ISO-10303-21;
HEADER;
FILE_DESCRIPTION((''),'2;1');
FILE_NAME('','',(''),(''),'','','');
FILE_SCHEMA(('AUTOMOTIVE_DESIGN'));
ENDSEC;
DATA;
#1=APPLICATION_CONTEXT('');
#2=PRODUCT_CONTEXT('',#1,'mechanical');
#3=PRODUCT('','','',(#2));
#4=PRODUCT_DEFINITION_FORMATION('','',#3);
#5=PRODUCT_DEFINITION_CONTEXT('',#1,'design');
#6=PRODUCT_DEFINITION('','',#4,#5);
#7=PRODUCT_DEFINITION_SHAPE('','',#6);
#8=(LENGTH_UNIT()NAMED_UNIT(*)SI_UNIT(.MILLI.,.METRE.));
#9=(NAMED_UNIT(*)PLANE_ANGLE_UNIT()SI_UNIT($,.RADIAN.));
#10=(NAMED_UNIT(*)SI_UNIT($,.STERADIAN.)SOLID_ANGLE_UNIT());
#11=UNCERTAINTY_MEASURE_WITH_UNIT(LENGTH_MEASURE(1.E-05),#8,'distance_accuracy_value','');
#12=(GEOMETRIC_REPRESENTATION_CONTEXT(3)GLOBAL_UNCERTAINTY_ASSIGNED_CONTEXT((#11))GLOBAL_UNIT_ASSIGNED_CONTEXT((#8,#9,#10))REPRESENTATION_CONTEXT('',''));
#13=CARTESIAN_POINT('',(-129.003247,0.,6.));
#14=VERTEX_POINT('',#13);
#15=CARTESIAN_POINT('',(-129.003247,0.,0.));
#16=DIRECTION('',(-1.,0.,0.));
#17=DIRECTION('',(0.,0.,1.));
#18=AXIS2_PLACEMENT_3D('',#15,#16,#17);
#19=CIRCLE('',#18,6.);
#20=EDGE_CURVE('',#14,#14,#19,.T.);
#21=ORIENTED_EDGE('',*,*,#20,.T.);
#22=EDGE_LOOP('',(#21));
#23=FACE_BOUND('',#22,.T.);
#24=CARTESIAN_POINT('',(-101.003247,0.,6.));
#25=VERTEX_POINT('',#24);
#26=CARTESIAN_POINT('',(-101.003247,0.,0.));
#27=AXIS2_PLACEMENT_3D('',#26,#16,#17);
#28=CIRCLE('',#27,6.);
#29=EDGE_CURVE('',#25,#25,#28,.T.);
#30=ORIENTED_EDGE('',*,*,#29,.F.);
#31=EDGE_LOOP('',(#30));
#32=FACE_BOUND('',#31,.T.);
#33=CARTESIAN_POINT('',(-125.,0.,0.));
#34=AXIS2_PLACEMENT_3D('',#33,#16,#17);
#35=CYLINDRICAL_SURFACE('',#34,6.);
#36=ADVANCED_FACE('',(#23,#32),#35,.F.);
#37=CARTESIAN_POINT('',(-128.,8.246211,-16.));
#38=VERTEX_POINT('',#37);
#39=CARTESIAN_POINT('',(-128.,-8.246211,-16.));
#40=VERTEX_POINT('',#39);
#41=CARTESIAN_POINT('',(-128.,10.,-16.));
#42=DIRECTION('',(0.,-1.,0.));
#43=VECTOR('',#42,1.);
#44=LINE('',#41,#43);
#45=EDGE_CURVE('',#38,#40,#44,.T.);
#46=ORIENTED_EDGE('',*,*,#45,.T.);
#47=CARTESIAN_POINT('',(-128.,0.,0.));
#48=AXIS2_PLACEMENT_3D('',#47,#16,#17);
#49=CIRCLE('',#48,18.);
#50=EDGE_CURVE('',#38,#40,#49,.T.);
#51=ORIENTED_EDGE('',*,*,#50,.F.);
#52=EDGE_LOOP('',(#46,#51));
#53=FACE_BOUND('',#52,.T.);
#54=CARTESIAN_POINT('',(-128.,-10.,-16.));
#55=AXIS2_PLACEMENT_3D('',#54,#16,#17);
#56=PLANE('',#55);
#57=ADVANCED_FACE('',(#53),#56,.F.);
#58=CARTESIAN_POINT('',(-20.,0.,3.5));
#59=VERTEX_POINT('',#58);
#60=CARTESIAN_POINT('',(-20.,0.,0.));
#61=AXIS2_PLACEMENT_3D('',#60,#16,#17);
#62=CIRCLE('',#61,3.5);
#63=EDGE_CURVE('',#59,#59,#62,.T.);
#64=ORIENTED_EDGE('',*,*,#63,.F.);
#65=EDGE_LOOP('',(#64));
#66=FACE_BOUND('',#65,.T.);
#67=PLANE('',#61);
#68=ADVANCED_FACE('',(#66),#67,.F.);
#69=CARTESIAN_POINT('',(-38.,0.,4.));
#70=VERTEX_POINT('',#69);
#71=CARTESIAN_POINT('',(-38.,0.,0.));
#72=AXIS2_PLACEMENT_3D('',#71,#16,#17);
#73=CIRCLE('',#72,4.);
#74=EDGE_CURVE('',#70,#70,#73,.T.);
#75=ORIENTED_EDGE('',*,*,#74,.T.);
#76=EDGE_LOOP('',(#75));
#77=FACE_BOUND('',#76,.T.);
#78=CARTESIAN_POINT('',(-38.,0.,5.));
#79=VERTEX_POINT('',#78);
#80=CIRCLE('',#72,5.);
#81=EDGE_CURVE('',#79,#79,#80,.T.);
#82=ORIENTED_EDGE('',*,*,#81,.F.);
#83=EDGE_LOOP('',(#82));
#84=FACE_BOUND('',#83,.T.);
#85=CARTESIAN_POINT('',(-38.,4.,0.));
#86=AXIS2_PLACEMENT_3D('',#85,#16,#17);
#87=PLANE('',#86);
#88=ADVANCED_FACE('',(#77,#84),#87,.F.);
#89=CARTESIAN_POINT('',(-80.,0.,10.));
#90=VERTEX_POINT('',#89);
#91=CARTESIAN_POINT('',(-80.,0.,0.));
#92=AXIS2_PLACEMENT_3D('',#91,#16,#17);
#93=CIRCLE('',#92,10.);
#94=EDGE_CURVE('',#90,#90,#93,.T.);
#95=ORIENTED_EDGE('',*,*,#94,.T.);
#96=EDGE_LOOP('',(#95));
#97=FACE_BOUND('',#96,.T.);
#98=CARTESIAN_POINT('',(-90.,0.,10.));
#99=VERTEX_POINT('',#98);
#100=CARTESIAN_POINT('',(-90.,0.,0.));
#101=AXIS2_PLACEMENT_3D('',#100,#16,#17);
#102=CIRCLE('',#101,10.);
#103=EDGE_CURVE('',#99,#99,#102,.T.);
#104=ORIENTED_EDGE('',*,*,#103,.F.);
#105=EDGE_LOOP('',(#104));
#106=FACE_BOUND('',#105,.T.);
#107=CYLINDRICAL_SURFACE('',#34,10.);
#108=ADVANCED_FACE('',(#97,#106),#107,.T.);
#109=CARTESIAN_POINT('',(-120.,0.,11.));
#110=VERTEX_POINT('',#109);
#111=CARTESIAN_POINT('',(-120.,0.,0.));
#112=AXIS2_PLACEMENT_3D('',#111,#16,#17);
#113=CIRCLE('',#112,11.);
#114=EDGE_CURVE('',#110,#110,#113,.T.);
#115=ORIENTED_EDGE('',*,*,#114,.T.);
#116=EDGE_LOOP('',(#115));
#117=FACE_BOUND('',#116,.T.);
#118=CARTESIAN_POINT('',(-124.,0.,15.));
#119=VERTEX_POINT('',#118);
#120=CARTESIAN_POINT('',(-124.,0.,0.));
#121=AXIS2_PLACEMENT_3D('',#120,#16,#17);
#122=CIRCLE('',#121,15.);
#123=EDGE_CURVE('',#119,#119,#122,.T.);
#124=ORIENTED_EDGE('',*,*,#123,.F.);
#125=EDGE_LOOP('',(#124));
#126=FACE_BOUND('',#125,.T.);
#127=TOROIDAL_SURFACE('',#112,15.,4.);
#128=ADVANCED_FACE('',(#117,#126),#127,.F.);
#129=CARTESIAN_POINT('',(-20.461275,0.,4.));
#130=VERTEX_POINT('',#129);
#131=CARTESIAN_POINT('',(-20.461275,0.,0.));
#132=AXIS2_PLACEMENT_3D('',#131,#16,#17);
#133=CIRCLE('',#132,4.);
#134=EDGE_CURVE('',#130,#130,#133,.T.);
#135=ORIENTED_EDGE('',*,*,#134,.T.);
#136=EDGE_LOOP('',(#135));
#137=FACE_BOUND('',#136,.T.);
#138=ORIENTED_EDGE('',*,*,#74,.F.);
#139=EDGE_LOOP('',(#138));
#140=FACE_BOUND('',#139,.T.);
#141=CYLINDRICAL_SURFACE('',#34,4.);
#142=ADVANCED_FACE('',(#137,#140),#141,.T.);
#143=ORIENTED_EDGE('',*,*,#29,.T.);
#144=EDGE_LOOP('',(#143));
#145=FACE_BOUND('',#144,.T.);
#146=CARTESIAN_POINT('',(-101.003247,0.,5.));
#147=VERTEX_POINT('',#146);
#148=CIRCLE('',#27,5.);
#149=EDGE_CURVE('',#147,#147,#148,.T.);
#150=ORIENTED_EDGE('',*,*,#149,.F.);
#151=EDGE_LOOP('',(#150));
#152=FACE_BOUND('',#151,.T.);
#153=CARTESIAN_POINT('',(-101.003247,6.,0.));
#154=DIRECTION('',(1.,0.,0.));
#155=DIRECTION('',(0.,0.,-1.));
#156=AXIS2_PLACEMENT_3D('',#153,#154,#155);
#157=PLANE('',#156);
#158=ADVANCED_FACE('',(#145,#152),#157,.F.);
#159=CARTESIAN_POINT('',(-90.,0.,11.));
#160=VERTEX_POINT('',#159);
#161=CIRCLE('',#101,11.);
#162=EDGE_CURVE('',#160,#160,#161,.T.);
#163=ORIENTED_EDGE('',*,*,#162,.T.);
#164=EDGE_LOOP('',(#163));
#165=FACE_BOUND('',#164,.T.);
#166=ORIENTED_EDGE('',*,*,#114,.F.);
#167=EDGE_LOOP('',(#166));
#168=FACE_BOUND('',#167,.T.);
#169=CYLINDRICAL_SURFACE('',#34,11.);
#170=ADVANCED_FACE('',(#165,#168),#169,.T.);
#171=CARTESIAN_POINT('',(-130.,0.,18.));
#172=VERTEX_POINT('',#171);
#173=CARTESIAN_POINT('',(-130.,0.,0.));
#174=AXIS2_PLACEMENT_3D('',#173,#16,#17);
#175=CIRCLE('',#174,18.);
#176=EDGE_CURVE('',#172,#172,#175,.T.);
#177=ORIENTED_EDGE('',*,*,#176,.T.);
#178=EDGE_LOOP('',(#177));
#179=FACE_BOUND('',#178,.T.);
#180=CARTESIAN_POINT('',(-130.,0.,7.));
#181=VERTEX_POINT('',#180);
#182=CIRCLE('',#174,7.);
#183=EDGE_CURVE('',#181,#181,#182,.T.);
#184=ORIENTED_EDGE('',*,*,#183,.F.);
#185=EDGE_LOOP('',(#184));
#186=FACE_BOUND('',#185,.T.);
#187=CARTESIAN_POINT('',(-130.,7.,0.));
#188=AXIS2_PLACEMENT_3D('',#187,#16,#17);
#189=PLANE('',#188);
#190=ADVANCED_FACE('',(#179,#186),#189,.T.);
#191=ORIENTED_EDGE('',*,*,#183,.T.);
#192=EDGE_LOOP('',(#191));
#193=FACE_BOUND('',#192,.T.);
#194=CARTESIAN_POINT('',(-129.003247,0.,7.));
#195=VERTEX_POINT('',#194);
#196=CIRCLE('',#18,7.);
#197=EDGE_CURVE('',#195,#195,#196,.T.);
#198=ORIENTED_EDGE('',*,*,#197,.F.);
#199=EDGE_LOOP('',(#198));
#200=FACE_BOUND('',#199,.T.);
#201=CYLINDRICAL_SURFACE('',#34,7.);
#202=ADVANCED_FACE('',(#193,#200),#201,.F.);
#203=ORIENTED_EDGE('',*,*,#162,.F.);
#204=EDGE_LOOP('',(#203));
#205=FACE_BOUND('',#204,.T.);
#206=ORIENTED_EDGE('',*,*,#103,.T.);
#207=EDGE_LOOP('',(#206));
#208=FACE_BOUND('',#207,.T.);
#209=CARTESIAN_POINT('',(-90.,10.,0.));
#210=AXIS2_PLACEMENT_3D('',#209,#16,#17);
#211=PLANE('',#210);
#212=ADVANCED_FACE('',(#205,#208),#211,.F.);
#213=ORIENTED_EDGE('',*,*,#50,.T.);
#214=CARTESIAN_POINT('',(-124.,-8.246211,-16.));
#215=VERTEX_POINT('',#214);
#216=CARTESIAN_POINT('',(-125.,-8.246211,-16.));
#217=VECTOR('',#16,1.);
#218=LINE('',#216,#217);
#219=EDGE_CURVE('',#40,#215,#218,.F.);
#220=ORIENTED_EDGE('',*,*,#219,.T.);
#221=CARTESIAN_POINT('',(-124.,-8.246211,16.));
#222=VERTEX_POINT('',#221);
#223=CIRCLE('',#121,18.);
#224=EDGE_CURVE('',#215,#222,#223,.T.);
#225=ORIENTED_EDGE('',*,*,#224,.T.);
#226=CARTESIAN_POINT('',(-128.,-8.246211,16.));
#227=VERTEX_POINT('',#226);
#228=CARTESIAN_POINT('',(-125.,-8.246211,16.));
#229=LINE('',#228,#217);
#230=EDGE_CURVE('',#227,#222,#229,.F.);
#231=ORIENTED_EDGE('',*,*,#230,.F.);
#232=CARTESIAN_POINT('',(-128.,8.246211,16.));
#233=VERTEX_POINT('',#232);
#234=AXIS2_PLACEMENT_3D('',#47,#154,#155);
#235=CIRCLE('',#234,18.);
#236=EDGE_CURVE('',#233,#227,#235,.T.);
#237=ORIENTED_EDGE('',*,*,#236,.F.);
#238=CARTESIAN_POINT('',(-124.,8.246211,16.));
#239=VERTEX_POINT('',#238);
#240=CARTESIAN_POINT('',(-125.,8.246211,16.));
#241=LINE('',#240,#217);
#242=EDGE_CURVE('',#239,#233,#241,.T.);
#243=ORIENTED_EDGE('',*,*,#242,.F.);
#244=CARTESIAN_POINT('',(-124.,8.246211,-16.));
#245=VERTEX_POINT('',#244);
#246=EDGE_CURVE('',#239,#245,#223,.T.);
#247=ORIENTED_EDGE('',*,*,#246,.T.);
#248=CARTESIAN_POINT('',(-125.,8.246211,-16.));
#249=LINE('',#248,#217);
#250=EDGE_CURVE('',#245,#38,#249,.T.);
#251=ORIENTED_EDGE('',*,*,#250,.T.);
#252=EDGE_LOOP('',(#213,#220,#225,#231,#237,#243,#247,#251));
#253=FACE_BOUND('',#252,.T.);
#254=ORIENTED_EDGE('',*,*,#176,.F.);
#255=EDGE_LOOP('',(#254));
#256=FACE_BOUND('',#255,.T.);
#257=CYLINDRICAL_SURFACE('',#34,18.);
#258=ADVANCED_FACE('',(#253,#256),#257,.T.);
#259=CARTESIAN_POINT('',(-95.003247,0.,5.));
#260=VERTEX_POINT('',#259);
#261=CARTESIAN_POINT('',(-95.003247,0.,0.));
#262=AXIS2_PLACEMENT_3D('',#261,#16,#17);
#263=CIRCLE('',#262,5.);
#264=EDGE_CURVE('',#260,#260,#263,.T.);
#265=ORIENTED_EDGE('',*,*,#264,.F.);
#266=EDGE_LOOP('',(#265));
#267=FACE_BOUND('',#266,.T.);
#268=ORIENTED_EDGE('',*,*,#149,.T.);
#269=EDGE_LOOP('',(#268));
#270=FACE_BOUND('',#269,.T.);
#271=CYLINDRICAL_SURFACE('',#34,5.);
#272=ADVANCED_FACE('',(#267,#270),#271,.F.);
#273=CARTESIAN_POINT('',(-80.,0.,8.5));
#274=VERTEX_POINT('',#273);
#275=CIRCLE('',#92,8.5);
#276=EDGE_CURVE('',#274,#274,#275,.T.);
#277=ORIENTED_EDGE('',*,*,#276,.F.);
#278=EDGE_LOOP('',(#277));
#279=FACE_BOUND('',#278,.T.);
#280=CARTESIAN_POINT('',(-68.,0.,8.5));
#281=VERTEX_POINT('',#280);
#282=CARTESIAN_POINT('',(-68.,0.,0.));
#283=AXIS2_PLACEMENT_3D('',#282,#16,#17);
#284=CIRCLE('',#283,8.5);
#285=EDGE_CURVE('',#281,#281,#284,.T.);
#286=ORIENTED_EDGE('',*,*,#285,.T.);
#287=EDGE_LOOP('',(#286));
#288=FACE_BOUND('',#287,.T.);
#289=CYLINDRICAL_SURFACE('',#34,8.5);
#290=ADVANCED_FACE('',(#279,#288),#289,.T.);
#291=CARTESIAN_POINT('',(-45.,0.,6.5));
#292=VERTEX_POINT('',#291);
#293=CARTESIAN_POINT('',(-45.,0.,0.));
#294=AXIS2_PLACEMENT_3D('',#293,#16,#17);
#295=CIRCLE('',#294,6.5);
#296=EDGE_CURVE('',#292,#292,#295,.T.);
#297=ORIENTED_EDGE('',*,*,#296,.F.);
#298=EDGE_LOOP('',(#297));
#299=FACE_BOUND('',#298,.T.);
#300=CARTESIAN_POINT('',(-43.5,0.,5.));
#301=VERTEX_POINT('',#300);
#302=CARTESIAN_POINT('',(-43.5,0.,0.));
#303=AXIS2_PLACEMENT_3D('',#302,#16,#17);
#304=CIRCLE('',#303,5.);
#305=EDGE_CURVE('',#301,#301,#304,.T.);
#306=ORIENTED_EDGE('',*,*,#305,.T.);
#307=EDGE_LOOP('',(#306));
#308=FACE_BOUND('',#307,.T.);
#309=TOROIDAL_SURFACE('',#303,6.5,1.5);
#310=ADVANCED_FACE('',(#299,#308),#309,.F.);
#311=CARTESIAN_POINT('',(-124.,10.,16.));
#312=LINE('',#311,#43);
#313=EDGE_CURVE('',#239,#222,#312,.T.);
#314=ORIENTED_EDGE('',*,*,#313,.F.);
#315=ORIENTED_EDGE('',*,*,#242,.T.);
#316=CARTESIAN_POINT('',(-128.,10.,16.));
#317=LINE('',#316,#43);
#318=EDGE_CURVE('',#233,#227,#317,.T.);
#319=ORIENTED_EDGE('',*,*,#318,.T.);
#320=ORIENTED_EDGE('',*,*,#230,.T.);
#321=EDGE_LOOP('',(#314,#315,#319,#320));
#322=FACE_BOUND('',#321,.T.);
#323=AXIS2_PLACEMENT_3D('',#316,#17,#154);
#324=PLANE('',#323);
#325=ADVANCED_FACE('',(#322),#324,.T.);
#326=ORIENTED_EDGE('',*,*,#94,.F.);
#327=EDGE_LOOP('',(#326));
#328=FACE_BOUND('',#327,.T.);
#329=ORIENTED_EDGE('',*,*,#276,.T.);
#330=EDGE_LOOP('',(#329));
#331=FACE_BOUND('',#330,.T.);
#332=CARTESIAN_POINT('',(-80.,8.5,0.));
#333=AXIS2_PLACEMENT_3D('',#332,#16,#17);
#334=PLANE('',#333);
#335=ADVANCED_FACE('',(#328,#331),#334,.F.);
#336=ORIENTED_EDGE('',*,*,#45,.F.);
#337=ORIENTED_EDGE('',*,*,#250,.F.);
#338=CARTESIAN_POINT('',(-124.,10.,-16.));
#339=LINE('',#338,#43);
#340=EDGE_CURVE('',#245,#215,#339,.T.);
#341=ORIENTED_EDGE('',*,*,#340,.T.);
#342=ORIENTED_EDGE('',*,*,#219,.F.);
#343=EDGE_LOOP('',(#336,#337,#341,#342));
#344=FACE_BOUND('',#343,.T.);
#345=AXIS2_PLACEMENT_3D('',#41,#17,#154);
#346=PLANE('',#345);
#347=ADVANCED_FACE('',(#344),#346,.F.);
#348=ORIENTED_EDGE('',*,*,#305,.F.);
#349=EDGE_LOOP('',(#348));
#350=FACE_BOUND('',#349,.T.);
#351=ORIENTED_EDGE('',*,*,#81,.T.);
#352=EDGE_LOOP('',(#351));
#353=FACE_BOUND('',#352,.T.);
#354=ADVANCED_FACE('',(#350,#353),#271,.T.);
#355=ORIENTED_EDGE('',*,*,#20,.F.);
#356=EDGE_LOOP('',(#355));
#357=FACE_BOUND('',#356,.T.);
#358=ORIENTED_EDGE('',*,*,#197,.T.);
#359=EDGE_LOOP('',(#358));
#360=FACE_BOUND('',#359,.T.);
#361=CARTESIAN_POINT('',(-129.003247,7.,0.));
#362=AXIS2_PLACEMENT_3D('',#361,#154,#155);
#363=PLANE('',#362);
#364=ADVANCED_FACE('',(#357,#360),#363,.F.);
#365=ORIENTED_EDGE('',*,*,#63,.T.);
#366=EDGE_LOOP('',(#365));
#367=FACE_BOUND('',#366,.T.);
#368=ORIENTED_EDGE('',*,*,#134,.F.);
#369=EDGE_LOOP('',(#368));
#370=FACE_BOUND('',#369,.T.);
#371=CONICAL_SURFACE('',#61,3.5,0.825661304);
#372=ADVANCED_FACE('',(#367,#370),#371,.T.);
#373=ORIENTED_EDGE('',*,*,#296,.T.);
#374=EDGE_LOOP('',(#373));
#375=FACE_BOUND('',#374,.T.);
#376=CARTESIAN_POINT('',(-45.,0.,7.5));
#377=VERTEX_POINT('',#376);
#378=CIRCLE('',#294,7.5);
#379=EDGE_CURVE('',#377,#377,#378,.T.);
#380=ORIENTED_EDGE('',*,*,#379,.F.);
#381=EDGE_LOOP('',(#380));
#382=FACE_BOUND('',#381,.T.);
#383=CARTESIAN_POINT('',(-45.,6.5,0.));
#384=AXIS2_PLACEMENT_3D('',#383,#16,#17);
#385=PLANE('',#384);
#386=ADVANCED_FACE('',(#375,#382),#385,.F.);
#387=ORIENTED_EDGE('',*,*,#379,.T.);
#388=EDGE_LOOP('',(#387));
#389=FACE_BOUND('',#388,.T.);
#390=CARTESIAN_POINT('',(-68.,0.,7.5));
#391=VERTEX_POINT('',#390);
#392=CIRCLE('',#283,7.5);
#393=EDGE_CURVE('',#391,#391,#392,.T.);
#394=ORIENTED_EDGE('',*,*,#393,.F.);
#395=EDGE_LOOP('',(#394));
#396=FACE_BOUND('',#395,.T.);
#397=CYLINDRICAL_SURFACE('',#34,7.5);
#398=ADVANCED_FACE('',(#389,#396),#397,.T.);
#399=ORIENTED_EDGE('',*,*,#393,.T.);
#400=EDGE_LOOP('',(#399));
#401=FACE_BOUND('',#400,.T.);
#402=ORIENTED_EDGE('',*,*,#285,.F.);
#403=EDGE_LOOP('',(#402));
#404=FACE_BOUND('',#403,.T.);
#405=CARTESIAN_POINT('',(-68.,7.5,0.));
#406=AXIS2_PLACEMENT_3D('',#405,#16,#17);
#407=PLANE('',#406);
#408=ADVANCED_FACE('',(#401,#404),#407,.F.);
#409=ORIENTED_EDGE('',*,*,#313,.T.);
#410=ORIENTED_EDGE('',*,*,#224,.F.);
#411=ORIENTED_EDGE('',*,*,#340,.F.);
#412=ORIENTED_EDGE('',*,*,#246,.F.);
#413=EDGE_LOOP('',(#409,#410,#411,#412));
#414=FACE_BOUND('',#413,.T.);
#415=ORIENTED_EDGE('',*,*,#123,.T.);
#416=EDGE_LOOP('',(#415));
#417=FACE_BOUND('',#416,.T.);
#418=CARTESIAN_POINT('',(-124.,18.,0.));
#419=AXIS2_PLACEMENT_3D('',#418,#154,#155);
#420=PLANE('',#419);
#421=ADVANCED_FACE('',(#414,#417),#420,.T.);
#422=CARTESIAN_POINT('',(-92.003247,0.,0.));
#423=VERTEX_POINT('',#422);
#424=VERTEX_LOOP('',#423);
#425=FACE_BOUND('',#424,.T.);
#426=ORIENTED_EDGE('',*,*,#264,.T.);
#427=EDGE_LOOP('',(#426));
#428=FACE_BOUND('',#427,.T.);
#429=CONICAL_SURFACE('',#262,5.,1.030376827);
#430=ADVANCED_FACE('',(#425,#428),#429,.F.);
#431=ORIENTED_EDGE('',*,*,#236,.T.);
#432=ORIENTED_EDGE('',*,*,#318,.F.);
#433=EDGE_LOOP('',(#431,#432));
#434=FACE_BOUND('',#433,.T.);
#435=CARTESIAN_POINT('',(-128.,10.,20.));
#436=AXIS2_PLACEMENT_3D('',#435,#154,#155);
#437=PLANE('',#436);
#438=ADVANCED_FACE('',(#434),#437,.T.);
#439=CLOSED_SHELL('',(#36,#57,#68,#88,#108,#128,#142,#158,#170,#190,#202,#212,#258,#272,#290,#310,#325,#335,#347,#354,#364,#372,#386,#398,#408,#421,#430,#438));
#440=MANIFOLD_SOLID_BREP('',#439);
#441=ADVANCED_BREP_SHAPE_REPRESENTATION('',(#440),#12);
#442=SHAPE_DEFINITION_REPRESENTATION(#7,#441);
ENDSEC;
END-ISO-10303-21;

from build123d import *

# Parameters (mm, degrees)
ESQUISSE3_W             = 4
ESQUISSE3_H             = 20
ENL_V_MAT_EXTRU_1_DEPTH = 4


with BuildPart() as part:
    # Esquisse1 → Base-Révolution (revolve)
    with BuildSketch(Plane.XY, mode=Mode.PRIVATE) as base_r_volution_sk:
        with BuildLine():
            Line((-130, 7), (-130, 18))
            Line((-130, 18), (-124, 18))
            Line((-124, 18), (-124, 15))
            ThreePointArc((-124, 15), (-122.828427125, 12.171572875), (-120, 11))
            Line((-120, 11), (-90, 11))
            Line((-90, 11), (-90, 10))
            Line((-90, 10), (-80, 10))
            Line((-80, 10), (-80, 8.5))
            Line((-80, 8.5), (-68, 8.5))
            Line((-68, 8.5), (-68, 7.5))
            Line((-68, 7.5), (-45, 7.5))
            Line((-45, 7.5), (-45, 6.5))
            ThreePointArc((-45, 6.5), (-44.560660172, 5.439339828), (-43.5, 5))
            Line((-43.5, 5), (-38, 5))
            Line((-38, 5), (-38, 4))
            Line((-38, 4), (-20.461275116, 4))
            Line((-20.461275116, 4), (-20, 3.5))
            Line((-20, 3.5), (-20, 0))
            Line((-20, 0), (-92.003246889, 0))
            Line((-92.003246889, 0), (-95.003246889, 5))
            Line((-95.003246889, 5), (-101.003246889, 5))
            Line((-101.003246889, 5), (-101.003246889, 6))
            Line((-101.003246889, 6), (-129.003246889, 6))
            Line((-129.003246889, 6), (-129.003246889, 7))
            Line((-129.003246889, 7), (-130, 7))
        make_face()
    revolve(base_r_volution_sk.sketch.rotate(Axis((-125, 0, 0), (1, 0, 0)), 90), axis=Axis((-125, 0, 0), (1, 0, 0)))

    # Esquisse3 → Enlèv. mat.-Extru.1 (cut)
    with BuildSketch(Plane(origin=(-124, 0, 0), x_dir=(0, 0, -1), z_dir=(1, 0, 0))):
        with Locations((-18, 0)):
            Rectangle(ESQUISSE3_W, ESQUISSE3_H)
        with Locations((18, 0)):
            Rectangle(ESQUISSE3_W, ESQUISSE3_H)
    extrude(amount=-ENL_V_MAT_EXTRU_1_DEPTH, mode=Mode.SUBTRACT)


solid = part.part
